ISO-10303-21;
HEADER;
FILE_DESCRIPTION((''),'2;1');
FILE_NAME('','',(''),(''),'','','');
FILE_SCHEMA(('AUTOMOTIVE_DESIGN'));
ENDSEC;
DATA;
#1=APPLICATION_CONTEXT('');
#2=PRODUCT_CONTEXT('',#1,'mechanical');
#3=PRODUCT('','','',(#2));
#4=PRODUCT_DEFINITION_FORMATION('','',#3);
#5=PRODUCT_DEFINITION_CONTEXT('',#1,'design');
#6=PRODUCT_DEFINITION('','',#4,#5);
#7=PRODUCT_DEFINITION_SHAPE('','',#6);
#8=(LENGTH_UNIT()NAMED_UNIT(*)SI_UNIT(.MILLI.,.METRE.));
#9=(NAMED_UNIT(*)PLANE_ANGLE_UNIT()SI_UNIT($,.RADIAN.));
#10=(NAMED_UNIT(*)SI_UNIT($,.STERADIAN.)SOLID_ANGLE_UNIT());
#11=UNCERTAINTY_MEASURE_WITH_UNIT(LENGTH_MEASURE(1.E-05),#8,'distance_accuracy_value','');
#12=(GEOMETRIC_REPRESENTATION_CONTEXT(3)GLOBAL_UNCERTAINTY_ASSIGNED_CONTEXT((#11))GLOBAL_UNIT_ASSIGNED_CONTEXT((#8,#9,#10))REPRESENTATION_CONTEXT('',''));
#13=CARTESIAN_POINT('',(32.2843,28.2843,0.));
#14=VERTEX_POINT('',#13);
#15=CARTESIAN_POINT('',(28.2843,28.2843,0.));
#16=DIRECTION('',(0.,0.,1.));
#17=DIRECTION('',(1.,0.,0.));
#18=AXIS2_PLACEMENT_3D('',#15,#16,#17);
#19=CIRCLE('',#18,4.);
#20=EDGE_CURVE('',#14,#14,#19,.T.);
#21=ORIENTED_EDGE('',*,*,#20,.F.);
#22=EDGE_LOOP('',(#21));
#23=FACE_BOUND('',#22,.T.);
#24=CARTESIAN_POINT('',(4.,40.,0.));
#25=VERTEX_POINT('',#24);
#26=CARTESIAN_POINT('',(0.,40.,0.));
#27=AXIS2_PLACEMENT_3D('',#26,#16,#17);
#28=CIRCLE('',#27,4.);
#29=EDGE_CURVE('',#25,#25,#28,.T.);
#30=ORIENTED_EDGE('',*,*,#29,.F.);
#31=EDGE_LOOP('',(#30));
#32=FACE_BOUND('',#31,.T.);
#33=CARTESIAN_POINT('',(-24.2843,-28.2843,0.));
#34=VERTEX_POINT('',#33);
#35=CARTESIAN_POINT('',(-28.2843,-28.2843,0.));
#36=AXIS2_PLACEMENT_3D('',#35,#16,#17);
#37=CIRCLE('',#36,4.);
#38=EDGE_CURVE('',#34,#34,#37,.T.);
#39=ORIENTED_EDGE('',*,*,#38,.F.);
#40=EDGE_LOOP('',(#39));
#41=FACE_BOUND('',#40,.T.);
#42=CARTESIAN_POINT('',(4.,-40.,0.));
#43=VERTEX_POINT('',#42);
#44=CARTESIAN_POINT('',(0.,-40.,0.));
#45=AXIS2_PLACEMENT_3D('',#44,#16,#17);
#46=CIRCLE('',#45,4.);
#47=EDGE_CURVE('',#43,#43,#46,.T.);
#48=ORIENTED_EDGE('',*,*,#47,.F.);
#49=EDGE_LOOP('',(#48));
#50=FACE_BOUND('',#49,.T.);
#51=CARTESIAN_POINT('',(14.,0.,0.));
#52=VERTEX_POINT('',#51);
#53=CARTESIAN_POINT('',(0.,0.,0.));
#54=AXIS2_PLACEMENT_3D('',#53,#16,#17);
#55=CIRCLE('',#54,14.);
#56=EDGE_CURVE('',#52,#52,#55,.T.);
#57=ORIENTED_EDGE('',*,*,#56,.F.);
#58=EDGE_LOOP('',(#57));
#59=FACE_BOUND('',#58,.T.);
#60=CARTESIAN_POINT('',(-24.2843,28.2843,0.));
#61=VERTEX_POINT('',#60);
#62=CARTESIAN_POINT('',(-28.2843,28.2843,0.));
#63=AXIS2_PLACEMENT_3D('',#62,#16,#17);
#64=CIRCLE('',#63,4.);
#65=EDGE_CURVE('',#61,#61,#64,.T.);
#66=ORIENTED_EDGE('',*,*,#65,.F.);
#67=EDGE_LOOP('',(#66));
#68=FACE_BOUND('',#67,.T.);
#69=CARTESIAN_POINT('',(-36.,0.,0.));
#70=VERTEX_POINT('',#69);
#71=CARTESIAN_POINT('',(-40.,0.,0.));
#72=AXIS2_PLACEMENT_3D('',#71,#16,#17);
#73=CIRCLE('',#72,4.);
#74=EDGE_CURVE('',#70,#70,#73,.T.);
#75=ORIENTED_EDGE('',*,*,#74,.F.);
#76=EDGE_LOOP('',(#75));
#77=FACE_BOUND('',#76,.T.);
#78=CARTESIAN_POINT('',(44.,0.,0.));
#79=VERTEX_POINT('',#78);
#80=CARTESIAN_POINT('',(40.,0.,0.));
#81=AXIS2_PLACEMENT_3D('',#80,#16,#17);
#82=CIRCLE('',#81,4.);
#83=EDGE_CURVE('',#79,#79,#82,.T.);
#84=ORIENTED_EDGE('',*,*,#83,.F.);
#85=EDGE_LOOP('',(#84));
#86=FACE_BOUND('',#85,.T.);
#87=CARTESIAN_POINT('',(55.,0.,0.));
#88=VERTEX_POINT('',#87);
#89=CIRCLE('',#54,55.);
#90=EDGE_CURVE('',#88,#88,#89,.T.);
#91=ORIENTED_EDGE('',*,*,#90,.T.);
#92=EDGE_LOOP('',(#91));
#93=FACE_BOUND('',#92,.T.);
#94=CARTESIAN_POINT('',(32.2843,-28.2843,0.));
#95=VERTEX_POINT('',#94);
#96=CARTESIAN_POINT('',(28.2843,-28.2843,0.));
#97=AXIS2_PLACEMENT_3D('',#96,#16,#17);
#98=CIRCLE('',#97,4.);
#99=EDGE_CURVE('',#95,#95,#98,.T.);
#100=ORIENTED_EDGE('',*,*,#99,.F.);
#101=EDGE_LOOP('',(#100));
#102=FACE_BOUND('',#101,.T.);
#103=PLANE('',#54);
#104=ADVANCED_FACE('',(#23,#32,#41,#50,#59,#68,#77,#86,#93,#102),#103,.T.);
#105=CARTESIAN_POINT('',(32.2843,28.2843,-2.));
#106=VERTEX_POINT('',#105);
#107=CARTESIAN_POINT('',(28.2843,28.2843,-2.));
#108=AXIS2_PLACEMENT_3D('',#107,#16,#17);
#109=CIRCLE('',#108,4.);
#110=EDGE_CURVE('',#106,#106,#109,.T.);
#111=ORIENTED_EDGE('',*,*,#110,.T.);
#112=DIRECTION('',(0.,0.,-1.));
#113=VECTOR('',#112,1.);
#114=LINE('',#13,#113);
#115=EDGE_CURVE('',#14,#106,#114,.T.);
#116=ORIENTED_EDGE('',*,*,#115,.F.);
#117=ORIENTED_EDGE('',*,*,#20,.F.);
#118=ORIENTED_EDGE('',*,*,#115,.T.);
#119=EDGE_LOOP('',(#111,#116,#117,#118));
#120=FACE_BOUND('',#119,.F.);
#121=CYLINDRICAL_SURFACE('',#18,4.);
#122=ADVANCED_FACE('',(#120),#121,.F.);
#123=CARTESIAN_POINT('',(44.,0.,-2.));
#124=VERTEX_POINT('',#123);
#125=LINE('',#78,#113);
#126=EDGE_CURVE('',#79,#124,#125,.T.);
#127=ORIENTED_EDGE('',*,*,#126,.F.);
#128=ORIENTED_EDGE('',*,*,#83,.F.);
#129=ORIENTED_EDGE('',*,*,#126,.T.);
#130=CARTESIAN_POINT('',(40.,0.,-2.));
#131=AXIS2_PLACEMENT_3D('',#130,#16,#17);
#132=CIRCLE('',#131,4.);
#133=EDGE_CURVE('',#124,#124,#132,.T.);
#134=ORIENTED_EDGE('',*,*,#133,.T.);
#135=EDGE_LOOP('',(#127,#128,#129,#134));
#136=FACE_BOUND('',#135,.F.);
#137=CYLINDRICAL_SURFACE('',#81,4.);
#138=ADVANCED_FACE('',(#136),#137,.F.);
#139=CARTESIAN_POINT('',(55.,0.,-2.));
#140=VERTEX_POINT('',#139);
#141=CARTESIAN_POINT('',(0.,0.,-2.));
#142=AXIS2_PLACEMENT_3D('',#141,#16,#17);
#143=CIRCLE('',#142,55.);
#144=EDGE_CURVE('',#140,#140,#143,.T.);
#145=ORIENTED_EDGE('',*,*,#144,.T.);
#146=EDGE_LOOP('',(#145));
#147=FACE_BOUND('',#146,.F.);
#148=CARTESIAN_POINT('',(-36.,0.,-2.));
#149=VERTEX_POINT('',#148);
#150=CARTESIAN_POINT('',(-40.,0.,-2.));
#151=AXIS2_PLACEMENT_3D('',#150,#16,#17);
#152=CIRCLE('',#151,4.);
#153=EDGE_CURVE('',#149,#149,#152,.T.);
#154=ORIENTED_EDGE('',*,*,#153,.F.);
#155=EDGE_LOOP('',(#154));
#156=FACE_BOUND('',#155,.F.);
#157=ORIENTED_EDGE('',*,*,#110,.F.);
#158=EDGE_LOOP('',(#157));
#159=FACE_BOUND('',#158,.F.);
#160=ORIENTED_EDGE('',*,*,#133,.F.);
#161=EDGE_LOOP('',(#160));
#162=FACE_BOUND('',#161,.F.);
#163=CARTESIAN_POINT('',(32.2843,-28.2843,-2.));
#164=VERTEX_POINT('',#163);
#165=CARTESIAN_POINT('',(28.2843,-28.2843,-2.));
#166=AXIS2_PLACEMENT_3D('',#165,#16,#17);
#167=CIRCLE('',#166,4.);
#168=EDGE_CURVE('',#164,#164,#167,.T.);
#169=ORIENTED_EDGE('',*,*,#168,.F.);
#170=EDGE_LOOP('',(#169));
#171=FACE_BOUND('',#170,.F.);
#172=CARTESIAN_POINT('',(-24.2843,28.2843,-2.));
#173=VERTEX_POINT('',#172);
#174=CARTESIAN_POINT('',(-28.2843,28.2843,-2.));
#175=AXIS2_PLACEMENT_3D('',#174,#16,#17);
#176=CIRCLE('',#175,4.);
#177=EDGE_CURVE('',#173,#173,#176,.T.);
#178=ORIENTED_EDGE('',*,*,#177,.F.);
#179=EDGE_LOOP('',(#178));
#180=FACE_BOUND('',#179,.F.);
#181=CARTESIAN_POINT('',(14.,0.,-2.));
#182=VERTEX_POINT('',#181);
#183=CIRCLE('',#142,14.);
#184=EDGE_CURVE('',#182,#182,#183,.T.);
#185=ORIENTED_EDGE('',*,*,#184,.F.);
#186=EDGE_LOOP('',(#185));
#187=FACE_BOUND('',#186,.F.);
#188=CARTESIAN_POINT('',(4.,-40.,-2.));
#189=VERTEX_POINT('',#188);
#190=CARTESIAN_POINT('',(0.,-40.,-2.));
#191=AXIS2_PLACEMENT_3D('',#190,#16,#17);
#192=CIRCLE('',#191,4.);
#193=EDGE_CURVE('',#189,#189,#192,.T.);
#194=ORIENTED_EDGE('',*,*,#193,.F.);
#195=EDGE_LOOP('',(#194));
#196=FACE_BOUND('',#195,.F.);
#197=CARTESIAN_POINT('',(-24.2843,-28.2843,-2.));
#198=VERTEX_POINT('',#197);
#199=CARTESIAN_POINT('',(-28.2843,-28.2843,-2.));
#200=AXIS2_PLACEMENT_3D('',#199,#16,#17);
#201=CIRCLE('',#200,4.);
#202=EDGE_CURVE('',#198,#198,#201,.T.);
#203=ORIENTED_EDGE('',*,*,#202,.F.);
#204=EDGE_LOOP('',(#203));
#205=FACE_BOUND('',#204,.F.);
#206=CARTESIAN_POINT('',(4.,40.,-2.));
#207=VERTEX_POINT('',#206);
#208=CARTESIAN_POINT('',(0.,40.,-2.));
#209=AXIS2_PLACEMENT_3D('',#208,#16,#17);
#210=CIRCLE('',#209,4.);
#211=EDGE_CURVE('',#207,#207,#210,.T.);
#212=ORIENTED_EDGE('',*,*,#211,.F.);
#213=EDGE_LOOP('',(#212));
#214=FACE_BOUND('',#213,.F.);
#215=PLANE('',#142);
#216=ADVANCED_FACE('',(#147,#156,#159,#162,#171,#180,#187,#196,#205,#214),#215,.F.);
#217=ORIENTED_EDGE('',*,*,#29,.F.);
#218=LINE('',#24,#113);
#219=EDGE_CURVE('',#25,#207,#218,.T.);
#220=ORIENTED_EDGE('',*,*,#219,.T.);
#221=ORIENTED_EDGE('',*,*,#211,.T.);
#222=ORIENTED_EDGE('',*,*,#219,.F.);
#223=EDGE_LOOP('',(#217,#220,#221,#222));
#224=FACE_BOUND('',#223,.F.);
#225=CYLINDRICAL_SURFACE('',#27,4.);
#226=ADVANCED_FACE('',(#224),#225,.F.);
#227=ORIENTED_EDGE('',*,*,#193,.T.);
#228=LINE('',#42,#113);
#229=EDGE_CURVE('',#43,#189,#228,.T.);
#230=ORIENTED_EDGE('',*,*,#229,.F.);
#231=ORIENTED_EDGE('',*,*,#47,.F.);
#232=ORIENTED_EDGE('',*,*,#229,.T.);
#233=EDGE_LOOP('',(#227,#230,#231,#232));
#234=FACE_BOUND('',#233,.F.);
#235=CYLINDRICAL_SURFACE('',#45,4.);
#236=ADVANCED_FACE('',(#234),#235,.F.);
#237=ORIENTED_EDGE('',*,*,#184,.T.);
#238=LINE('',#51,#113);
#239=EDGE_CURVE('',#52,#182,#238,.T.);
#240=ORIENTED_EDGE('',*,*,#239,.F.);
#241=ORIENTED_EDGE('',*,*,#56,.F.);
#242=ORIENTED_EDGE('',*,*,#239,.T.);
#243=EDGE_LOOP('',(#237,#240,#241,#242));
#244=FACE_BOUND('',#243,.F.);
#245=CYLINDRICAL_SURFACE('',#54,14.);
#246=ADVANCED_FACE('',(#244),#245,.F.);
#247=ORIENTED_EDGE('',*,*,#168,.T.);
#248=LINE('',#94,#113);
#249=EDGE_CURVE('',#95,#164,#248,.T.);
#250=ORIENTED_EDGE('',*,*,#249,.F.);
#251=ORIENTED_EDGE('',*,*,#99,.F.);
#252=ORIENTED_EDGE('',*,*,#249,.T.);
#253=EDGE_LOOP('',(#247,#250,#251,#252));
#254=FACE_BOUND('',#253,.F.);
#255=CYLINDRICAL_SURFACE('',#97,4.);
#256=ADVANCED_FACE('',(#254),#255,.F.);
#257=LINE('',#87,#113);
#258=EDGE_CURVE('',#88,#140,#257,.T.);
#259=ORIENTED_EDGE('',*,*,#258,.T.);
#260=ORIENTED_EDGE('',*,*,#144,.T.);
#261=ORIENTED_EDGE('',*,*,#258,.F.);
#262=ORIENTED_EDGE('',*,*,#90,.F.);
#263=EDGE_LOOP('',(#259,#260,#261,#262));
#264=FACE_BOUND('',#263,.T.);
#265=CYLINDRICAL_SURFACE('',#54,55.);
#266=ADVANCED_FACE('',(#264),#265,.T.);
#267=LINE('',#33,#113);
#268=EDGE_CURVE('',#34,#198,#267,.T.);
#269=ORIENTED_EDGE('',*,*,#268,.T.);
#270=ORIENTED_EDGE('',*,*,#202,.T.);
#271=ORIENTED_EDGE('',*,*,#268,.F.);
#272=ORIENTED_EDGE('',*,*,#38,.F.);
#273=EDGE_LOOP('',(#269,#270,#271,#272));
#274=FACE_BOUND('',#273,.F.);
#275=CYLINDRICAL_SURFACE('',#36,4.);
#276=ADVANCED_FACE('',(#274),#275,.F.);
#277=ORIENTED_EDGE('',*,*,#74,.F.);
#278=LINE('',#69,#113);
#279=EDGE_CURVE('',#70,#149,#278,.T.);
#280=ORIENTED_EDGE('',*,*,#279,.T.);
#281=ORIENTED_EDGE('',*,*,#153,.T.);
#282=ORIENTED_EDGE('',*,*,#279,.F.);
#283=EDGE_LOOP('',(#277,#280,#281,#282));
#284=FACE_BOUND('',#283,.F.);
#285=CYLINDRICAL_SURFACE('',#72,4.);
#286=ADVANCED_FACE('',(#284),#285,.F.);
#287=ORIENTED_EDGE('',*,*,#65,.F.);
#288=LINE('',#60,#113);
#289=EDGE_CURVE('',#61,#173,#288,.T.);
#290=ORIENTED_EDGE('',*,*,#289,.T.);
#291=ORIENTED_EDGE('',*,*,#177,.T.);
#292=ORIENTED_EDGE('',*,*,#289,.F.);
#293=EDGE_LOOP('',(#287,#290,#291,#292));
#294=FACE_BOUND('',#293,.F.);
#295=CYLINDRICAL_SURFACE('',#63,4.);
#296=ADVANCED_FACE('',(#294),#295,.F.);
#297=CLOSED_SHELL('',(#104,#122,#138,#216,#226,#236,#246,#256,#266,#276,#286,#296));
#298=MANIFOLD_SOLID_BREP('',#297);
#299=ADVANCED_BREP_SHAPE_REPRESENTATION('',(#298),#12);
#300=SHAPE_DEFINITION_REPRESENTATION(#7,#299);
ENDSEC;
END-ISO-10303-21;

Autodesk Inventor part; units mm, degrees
ref_plane "YZ Plane" through (0, 0, 0) normal (1, 0, 0) x (0, 1, 0)
ref_plane "XZ Plane" through (0, 0, 0) normal (0, 1, 0) x (-1, 0, 0)
ref_plane "XY Plane" through (0, 0, 0) normal (0, 0, 1) x (1, 0, 0)
sketch "Sketch1" plane through (0, 0, 0) normal (0, 0, 1) x (1, 0, 0)
  circle A0 centre (0, 0) radius 55
  circle A1 centre (0, 0) radius 14
  circle A2 centre (0, 0) radius 40 construction
  circle A3 centre (40, 0) radius 4
  circle A4 centre (28.2843, 28.2843) radius 4
  circle A5 centre (0, 40) radius 4
  circle A6 centre (-28.2843, 28.2843) radius 4
  circle A7 centre (-40, 0) radius 4
  circle A8 centre (-28.2843, -28.2843) radius 4
  circle A9 centre (0, -40) radius 4
  circle A10 centre (28.2843, -28.2843) radius 4
  dimension "d39" = 80
  dimension "d31" = 28
  dimension "d32" = 110
  dimension "d40" = 8
  dimension "d43" = 360
extrude "Plate1" add sketch "Sketch1" against normal blind 2
equation "\"d15\" = Thickness"
equation "\"BendRadius\" = Thickness"
equation "\"BendReliefWidth\" = Thickness"
equation "\"BendReliefDepth\" = 0.5 * Thickness"
equation "\"CornerReliefSize\" = 4 * Thickness"
equation "\"MinimumRemnant\" = 2 * Thickness"
equation "\"TransitionRadius\" = BendRadius"
equation "\"JacobiRadiusSize\" = BendRadius"
equation "\"GapSize\" = Thickness"
equation "\"Thickness\" = 2"
properties part number "flange small gear"
